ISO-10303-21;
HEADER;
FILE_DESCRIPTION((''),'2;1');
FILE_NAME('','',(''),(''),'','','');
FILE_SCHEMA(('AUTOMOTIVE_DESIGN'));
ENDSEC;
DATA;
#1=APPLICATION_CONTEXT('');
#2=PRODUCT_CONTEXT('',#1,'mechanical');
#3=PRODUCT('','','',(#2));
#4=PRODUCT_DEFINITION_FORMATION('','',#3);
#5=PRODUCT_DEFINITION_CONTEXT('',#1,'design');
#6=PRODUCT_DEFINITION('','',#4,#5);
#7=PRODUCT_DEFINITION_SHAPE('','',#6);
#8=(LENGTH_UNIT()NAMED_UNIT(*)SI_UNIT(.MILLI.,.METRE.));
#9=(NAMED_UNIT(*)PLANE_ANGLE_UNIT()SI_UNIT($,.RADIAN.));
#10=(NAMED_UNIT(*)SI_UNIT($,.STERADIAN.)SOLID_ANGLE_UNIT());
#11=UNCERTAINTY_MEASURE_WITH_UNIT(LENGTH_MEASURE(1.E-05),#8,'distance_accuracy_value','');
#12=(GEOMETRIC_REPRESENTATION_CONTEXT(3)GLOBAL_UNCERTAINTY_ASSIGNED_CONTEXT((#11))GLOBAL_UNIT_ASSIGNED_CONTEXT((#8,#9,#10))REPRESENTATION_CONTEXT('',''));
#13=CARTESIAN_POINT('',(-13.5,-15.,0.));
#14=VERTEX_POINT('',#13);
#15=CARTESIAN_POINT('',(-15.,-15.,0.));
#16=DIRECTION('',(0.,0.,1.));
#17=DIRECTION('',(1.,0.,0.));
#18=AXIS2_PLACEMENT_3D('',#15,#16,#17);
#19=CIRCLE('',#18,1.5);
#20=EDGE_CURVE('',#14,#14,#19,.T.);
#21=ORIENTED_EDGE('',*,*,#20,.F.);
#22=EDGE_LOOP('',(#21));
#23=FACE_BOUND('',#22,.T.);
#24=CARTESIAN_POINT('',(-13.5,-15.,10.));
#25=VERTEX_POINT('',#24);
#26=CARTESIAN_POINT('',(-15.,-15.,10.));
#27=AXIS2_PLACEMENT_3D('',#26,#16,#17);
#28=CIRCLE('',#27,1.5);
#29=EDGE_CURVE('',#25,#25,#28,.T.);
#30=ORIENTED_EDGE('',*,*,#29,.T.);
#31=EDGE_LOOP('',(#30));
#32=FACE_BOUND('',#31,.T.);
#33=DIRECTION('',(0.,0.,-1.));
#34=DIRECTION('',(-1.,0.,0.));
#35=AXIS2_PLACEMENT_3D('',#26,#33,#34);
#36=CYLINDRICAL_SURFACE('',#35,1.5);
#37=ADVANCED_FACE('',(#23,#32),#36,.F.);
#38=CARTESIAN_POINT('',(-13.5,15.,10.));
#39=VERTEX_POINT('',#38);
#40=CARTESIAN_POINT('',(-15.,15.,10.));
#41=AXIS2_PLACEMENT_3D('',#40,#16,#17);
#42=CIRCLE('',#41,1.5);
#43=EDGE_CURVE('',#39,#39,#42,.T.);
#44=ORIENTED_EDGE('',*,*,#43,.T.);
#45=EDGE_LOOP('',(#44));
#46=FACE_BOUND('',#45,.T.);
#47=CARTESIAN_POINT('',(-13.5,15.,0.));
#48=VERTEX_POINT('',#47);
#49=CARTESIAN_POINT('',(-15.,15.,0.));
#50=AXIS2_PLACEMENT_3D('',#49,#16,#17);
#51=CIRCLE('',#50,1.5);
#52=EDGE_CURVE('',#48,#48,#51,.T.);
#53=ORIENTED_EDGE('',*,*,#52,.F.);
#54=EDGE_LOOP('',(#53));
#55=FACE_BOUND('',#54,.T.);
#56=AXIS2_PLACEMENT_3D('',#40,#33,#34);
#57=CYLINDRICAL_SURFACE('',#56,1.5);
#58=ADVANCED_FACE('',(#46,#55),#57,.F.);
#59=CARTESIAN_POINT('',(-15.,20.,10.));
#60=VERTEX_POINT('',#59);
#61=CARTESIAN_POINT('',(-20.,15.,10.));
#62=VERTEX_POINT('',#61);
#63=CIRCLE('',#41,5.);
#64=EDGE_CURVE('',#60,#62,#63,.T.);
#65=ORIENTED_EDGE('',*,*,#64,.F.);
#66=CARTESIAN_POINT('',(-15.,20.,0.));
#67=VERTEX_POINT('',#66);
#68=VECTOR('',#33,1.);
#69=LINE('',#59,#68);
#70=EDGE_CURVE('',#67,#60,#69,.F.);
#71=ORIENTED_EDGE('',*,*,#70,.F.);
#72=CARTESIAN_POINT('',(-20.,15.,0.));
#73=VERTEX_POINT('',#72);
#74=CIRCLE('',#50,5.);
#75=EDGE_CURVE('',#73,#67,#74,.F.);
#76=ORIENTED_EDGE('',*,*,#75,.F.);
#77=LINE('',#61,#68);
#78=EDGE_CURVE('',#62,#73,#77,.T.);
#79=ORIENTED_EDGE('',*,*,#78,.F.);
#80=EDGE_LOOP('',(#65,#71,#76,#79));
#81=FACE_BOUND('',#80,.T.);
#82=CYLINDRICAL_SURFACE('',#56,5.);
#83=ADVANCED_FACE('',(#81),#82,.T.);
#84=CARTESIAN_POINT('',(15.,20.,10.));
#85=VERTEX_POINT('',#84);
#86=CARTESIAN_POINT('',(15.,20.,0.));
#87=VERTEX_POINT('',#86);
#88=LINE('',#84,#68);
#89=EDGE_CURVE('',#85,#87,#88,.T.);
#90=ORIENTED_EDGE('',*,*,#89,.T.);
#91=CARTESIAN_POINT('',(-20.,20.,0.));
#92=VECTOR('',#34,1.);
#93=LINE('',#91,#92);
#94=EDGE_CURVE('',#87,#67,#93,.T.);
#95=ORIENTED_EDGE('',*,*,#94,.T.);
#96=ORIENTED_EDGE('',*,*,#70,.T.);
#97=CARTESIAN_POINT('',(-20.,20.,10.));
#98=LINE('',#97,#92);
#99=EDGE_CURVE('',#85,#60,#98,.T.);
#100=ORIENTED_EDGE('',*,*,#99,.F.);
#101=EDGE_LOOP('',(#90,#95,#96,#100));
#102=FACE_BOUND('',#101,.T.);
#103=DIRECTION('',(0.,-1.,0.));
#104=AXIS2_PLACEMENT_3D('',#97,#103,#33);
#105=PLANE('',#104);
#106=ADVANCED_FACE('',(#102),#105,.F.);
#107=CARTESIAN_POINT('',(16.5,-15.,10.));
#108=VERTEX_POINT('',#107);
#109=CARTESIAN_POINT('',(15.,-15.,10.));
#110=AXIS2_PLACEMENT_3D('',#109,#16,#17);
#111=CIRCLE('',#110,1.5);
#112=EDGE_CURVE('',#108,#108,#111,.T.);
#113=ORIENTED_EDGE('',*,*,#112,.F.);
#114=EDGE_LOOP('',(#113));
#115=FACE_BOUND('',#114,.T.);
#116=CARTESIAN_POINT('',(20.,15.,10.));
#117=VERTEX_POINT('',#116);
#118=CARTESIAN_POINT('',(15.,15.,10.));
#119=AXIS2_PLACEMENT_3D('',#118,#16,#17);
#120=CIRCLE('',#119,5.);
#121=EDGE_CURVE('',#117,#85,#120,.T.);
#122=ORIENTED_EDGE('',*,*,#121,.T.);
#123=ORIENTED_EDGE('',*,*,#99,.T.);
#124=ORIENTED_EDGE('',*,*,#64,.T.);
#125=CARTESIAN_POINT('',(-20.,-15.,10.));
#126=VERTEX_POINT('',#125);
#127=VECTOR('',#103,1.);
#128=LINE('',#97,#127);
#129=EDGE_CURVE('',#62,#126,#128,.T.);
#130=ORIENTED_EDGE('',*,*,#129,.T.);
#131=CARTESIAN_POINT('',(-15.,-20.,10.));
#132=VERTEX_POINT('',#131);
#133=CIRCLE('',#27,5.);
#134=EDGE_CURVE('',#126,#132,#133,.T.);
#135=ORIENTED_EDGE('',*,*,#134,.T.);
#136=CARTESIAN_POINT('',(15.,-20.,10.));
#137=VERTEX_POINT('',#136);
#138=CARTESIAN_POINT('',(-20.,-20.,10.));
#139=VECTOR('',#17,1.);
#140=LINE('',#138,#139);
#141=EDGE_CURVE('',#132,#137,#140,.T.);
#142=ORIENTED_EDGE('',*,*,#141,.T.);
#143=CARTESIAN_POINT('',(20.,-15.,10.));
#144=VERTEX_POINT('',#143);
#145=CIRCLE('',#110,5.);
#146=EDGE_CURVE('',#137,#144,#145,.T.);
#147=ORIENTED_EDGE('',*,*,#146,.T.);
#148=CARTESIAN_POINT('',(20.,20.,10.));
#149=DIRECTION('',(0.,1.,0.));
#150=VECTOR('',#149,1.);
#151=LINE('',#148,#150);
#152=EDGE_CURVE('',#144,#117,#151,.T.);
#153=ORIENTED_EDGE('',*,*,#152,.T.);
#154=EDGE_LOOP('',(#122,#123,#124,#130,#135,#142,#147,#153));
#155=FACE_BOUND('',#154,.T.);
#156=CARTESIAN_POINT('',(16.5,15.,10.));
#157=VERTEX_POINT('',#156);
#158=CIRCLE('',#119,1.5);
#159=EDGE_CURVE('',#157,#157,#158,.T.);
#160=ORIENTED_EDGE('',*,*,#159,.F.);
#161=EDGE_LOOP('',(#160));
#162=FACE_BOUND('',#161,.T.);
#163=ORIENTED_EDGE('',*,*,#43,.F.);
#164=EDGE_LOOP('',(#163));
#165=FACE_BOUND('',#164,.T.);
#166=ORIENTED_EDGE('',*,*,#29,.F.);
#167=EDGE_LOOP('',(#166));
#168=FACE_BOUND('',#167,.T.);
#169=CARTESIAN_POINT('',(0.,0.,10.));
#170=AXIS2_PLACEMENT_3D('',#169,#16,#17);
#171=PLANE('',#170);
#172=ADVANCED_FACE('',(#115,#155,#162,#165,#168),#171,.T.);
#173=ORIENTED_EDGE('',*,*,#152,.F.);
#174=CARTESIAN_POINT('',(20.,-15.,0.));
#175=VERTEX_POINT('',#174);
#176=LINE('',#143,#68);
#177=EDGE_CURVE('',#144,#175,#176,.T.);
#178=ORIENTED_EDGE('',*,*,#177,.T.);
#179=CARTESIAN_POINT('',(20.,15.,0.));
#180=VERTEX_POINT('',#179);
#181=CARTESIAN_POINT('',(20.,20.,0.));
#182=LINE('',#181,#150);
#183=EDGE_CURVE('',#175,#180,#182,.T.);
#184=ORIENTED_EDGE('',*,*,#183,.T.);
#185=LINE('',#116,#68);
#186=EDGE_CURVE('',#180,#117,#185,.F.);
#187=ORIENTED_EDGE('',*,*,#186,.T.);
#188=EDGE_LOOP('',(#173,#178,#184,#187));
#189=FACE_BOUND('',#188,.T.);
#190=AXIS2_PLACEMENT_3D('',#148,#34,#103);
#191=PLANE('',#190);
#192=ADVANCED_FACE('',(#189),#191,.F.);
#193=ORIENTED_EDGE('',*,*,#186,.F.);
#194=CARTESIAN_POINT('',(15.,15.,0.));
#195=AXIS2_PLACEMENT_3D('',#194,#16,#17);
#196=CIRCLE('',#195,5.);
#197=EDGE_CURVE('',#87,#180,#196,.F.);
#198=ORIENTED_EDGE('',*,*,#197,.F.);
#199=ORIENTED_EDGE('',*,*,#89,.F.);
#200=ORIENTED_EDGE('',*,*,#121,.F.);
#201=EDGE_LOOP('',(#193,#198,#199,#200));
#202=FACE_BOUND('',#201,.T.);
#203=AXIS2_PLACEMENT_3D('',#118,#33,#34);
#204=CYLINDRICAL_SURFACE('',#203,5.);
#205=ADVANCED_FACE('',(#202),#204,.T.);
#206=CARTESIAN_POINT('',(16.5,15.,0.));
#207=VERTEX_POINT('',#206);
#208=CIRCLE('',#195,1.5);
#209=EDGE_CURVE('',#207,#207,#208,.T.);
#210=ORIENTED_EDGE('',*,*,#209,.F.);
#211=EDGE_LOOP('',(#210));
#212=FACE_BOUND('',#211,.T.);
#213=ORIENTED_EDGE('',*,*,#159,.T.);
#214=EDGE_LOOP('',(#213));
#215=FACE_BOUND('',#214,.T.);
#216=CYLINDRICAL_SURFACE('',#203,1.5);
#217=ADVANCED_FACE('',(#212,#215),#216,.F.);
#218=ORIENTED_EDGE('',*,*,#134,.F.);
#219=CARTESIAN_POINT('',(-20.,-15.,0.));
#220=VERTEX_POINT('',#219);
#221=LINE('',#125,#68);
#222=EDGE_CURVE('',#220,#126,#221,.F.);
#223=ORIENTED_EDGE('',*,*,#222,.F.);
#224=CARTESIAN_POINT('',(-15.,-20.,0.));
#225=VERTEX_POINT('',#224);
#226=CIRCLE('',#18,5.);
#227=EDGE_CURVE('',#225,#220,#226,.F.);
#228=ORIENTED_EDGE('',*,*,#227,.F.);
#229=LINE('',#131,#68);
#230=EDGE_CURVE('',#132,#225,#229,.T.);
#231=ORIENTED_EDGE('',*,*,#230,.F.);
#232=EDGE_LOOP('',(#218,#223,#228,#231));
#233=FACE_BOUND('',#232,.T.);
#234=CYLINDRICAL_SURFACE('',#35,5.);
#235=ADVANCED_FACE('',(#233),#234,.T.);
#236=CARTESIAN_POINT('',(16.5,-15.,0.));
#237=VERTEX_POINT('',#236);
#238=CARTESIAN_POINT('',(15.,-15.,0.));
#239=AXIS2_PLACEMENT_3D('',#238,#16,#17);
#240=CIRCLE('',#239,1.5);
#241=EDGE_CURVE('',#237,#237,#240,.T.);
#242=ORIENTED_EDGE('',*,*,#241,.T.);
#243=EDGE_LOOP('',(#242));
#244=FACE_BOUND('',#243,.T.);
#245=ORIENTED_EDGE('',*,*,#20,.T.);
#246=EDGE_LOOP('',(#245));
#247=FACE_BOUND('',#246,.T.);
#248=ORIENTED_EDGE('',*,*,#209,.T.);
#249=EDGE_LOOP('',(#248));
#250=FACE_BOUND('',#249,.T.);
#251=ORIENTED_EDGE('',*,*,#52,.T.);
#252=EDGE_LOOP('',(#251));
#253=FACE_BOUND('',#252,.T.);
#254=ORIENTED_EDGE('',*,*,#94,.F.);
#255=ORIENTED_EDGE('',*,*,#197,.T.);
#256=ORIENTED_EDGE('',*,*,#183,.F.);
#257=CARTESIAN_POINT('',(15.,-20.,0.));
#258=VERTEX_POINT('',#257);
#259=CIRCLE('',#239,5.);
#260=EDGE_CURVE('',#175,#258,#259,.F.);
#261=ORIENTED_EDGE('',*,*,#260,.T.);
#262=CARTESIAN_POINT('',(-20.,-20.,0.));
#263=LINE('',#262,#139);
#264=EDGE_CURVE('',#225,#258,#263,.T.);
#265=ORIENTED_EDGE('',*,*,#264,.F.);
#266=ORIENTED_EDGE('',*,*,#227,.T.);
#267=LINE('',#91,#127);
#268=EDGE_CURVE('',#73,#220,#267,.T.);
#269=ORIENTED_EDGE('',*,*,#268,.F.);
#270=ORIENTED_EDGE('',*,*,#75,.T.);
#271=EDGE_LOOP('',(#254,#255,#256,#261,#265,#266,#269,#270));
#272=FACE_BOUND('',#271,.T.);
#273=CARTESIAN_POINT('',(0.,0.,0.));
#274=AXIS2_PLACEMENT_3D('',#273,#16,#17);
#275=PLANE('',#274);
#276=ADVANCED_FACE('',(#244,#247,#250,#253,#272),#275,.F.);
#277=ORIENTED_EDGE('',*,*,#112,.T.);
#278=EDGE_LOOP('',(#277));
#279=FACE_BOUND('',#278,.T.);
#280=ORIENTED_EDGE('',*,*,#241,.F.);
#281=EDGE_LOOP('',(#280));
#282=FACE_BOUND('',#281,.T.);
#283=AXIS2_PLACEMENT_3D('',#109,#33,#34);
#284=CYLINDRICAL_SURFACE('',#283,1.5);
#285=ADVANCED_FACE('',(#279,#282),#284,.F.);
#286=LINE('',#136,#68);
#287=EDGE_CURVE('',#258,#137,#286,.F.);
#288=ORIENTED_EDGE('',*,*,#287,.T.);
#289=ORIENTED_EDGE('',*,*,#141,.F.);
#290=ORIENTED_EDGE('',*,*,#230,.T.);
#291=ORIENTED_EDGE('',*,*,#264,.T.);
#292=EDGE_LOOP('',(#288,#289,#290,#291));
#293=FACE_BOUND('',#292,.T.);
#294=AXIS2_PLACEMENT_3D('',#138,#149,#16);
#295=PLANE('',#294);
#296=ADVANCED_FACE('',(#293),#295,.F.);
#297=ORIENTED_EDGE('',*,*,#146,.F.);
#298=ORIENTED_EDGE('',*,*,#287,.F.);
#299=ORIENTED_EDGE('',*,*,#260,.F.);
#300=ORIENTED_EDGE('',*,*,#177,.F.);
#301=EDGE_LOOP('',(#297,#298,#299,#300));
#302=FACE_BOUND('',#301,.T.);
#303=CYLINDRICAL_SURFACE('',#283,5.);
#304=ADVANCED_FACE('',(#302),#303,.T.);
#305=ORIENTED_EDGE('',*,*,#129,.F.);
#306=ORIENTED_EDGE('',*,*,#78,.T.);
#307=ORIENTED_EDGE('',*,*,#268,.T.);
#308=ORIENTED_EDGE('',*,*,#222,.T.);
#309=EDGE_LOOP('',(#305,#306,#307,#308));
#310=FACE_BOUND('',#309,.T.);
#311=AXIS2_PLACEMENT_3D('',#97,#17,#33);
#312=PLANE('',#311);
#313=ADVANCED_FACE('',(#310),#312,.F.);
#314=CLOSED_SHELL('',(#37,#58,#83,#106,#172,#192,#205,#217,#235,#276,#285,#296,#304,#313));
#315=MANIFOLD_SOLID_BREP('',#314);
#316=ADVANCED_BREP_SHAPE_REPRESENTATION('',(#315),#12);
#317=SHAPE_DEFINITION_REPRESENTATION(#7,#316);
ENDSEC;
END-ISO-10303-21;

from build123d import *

# Parameters (mm, degrees)
SKETCH_1_W      = 40
SKETCH_1_H      = 40
SKETCH_1_R      = 1.5
EXTRUDE_1_DEPTH = 10
FILLET_1_R      = 5


with BuildPart() as part:
    # 草图1 → 凸台-拉伸1 (new body)
    with BuildSketch(Plane.XY):
        Rectangle(SKETCH_1_W, SKETCH_1_H)
        with Locations((-15, 15)):
            Circle(SKETCH_1_R, mode=Mode.SUBTRACT)
        with Locations((15, 15)):
            Circle(SKETCH_1_R, mode=Mode.SUBTRACT)
        with Locations((-15, -15)):
            Circle(SKETCH_1_R, mode=Mode.SUBTRACT)
        with Locations((15, -15)):
            Circle(SKETCH_1_R, mode=Mode.SUBTRACT)
    extrude(amount=EXTRUDE_1_DEPTH)

    # 圆角1
    fillet_1_edges = [part.edges().sort_by_distance(p)[0] for p in [
        (20, -20, 5),
        (-20, -20, 5),
        (-20, 20, 5),
        (20, 20, 5),
    ]]
    fillet(fillet_1_edges, radius=FILLET_1_R)


solid = part.part
